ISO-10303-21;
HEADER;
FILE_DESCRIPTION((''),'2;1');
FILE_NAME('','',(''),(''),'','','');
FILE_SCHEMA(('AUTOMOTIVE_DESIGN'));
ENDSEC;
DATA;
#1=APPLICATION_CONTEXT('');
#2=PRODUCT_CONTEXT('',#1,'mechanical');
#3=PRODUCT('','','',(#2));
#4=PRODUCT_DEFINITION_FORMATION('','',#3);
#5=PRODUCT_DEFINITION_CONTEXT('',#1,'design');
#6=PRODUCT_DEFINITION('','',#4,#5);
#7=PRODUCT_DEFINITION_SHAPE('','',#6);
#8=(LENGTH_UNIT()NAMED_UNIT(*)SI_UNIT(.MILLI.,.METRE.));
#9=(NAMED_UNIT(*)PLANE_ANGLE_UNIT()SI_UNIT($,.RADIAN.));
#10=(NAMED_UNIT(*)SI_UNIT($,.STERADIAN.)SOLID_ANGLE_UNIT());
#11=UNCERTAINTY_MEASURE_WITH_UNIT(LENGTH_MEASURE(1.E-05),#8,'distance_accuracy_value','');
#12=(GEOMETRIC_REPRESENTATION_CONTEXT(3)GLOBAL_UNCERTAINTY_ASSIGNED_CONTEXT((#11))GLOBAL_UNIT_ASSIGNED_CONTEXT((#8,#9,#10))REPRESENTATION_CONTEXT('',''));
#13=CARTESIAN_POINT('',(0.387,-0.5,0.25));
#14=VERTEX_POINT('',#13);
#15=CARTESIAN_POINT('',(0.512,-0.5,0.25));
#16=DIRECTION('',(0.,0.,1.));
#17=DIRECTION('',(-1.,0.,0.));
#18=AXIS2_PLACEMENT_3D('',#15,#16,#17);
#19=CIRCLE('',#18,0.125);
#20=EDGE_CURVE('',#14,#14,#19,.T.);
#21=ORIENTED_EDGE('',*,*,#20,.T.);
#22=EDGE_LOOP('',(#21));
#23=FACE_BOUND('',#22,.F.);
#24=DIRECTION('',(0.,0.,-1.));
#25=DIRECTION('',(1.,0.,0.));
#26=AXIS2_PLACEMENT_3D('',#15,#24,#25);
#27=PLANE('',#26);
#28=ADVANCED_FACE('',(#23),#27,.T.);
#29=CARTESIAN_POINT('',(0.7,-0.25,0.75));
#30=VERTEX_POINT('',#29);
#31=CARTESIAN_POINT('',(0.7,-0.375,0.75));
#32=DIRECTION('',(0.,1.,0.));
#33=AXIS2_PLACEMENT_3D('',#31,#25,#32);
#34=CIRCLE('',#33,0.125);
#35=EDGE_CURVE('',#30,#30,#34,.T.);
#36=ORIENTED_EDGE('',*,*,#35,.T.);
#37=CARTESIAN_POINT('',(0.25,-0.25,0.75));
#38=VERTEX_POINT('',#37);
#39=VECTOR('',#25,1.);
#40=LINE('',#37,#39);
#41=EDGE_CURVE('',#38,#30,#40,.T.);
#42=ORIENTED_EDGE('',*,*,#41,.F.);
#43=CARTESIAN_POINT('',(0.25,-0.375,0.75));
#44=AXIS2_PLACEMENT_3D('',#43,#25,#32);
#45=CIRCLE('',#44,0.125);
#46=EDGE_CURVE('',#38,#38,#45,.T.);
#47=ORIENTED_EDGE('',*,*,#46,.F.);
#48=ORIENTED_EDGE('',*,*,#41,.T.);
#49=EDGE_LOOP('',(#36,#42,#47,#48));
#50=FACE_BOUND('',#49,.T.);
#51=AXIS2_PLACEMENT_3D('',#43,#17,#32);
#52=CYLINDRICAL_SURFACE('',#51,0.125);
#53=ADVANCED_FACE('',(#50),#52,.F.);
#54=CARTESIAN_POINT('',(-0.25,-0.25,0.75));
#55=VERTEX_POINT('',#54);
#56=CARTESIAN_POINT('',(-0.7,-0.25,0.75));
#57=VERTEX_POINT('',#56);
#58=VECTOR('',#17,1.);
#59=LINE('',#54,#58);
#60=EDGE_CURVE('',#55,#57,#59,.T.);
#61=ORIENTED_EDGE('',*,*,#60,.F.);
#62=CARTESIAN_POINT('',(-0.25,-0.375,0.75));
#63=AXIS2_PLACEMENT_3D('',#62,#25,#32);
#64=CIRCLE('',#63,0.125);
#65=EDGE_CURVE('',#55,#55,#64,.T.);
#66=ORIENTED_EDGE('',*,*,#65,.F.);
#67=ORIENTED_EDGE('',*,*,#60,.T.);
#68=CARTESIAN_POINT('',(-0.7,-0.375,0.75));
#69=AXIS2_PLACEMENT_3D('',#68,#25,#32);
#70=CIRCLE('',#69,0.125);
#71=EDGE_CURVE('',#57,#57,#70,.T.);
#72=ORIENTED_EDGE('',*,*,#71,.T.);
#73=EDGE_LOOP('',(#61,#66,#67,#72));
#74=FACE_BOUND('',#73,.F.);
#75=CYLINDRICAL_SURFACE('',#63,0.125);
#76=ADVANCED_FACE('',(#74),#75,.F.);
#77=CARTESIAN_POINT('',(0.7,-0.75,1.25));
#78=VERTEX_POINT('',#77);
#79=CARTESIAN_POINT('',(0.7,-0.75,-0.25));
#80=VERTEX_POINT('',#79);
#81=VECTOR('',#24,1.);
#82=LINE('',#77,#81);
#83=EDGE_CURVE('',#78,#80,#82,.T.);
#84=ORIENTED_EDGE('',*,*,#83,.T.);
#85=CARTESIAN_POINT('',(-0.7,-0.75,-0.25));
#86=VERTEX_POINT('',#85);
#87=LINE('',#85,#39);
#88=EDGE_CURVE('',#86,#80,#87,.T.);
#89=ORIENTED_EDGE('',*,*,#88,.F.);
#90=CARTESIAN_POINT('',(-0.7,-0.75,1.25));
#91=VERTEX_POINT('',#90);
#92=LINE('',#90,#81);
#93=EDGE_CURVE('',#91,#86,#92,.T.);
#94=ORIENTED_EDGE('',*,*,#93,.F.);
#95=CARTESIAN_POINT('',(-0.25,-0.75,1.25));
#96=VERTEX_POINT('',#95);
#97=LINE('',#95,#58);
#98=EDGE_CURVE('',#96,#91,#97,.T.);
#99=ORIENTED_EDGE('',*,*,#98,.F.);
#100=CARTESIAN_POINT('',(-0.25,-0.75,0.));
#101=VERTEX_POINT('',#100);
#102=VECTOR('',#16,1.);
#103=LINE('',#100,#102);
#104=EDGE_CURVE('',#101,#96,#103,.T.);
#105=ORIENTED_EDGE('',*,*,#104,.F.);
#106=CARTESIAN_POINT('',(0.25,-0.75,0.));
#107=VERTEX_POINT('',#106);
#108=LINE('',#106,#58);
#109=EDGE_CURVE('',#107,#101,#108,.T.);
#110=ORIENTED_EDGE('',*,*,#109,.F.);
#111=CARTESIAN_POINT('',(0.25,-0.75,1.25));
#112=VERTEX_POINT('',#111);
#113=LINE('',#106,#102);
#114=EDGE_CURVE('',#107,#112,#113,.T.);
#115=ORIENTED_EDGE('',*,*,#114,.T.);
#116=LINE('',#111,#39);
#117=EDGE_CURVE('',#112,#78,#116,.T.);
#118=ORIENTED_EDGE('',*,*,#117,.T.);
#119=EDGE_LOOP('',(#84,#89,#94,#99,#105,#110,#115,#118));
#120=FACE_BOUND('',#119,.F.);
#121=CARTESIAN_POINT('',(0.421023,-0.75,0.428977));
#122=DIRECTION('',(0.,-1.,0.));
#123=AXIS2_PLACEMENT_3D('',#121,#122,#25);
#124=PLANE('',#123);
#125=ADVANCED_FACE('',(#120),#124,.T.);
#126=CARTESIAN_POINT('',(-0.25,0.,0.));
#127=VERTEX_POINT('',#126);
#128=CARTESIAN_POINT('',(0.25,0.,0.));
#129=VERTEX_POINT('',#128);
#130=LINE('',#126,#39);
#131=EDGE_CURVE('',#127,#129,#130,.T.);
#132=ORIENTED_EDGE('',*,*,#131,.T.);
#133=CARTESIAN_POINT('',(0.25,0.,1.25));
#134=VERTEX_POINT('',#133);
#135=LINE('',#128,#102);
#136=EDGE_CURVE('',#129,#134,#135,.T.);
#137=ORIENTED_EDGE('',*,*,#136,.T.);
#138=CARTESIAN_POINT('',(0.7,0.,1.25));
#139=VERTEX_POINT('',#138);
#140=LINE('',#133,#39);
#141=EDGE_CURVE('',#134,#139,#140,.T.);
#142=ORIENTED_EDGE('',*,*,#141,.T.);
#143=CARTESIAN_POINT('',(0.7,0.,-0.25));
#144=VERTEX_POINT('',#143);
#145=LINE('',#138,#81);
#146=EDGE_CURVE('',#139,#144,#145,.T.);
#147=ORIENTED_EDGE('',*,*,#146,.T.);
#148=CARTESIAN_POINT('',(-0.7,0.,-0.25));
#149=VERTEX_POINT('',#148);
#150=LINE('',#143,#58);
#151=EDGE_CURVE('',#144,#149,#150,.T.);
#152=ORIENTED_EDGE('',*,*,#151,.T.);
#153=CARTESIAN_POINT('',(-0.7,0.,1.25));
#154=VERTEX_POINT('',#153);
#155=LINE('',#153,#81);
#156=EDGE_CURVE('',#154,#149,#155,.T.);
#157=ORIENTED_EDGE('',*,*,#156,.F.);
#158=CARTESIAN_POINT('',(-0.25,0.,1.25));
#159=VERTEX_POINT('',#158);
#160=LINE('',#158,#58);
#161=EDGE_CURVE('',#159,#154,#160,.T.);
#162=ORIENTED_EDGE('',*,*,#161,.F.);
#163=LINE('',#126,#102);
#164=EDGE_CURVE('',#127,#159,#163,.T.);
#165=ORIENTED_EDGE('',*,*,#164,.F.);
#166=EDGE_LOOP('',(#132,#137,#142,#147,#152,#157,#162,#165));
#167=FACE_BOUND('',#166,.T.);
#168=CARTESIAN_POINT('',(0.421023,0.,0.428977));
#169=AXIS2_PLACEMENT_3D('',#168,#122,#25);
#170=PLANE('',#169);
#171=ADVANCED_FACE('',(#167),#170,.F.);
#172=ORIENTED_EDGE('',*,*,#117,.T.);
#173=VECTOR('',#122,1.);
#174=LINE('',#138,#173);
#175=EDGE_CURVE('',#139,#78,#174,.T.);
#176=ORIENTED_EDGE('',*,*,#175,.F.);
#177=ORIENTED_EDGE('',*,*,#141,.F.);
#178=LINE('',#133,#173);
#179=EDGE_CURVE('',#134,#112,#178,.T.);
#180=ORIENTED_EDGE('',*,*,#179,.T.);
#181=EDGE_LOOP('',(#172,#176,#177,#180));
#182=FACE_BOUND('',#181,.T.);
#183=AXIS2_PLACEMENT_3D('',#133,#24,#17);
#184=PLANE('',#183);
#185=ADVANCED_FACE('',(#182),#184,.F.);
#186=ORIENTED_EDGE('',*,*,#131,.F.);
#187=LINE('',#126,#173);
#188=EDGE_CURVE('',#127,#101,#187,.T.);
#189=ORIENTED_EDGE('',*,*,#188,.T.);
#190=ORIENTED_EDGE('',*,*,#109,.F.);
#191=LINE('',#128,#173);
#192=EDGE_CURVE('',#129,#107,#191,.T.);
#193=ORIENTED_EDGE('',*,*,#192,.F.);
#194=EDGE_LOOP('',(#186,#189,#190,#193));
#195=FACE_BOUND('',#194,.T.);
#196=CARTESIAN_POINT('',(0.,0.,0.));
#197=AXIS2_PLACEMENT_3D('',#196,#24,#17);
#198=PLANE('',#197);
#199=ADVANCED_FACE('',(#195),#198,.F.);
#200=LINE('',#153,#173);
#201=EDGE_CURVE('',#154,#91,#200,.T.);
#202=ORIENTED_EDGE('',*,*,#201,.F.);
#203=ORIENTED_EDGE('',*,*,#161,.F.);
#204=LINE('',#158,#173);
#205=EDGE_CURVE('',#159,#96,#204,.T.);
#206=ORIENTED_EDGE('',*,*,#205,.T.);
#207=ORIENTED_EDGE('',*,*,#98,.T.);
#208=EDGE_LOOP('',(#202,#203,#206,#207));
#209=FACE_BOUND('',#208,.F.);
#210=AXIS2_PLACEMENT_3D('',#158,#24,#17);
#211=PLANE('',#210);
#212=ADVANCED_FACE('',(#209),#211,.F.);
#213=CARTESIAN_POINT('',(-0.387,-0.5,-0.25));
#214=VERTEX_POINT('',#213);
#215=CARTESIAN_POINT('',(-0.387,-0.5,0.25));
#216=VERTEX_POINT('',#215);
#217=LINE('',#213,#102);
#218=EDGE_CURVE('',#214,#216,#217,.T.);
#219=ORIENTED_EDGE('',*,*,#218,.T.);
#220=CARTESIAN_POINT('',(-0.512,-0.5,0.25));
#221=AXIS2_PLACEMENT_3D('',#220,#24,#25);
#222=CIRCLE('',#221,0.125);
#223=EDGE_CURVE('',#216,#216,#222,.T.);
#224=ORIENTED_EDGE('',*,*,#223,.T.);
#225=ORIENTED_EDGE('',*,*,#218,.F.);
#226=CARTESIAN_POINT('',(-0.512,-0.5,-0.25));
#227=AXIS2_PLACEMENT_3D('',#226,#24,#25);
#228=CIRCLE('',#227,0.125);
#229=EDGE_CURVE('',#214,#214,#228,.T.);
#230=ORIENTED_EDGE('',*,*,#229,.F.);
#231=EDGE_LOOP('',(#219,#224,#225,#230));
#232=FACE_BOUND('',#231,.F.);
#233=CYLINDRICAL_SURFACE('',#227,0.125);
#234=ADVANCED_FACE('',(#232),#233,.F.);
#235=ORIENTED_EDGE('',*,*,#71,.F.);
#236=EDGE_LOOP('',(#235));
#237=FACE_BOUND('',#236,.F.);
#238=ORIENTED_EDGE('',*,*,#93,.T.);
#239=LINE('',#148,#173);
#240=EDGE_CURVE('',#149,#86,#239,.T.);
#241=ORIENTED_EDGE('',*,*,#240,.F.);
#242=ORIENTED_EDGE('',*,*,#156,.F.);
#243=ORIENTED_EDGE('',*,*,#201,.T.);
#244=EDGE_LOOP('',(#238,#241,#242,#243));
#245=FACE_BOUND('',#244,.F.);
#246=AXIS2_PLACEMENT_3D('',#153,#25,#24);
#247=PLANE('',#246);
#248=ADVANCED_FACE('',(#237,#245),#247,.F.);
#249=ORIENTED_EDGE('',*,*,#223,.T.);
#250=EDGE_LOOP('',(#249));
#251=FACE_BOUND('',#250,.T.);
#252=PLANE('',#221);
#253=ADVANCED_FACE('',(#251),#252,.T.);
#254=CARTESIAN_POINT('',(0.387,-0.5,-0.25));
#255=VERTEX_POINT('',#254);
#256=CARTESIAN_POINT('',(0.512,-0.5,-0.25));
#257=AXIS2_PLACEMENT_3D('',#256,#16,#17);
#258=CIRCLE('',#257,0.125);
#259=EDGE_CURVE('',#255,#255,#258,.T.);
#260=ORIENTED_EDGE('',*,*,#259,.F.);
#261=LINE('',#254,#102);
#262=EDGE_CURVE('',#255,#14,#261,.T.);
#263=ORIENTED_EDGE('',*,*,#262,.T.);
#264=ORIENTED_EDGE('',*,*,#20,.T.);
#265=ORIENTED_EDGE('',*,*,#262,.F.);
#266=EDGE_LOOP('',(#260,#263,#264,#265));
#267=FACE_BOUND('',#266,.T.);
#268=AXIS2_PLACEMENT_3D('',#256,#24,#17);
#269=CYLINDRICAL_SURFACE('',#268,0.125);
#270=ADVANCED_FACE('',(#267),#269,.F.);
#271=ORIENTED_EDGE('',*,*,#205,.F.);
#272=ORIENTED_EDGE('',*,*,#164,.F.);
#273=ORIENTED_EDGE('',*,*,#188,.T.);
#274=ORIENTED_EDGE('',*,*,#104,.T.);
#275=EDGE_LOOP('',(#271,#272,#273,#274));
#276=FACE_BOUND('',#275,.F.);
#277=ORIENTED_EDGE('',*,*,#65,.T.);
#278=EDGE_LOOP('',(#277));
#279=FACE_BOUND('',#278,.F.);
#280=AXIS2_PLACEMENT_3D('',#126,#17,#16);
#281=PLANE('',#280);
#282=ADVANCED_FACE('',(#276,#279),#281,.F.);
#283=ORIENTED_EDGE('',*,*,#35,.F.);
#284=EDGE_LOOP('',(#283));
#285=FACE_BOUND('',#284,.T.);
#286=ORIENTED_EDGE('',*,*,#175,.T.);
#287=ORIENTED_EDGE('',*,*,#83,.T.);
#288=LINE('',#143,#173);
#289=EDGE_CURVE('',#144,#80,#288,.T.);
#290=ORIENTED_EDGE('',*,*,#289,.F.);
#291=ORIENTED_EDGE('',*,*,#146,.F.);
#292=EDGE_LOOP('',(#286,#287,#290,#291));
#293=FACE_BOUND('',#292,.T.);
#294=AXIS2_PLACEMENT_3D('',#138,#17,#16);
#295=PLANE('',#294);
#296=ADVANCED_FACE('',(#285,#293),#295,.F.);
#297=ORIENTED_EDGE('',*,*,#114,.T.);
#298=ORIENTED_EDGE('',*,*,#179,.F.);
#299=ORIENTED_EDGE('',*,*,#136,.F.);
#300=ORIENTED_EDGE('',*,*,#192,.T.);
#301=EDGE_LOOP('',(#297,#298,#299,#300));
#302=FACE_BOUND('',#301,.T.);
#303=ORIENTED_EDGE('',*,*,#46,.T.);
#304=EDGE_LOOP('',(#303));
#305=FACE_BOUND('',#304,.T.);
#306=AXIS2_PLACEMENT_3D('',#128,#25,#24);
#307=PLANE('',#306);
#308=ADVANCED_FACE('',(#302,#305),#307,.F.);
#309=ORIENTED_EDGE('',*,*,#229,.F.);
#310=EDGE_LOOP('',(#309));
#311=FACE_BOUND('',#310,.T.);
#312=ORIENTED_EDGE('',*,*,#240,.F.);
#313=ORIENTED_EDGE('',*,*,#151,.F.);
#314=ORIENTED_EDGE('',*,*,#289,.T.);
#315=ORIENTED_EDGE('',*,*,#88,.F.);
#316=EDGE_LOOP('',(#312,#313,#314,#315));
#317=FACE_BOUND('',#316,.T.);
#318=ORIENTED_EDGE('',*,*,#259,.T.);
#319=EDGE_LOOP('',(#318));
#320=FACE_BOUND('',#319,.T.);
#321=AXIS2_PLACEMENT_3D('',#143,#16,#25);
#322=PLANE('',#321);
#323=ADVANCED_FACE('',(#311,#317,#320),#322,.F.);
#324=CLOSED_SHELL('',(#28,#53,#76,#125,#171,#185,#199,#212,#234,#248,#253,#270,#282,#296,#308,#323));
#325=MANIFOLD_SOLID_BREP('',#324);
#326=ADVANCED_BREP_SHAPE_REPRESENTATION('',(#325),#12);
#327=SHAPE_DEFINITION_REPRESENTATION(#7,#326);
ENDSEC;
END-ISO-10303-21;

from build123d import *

# Parameters (mm, degrees)
F1_DEPTH = 0.75
F2_R     = 0.125
F3_DEPTH = 25
F4_R     = 0.125
F5_DEPTH = 0.5


with BuildPart() as f1:
    # F0 (on Front) → F1 (new body)
    with BuildSketch(Plane.XZ):
        Polygon((-0.25, 1.25), (-0.7, 1.25), (-0.7, -0.25), (0, -0.25), (0, 0), (-0.25, 0), align=None)
    extrude(amount=F1_DEPTH)

    # F2 (on face) → F3 (cut)
    with BuildSketch(Plane.YZ.offset(-0.25)):
        with Locations((-0.375, 0.75)):
            Circle(F2_R)
    extrude(amount=-F3_DEPTH, mode=Mode.SUBTRACT)

    # F4 (on face) → F5 (cut)
    with BuildSketch(Plane(origin=(0, 0, -0.25), x_dir=(1, 0, 0), z_dir=(0, 0, -1))):
        with Locations((-0.512, 0.5)):
            Circle(F4_R)
    extrude(amount=-F5_DEPTH, mode=Mode.SUBTRACT)

    # F6: F1 across face


with BuildPart() as f1_1:
    add(f1.part)
    add(f1.part.mirror(Plane(origin=(0, -0.375, -0.125), x_dir=(0, 1, 0), z_dir=(1, 0, 0))))


solid = f1_1.part
